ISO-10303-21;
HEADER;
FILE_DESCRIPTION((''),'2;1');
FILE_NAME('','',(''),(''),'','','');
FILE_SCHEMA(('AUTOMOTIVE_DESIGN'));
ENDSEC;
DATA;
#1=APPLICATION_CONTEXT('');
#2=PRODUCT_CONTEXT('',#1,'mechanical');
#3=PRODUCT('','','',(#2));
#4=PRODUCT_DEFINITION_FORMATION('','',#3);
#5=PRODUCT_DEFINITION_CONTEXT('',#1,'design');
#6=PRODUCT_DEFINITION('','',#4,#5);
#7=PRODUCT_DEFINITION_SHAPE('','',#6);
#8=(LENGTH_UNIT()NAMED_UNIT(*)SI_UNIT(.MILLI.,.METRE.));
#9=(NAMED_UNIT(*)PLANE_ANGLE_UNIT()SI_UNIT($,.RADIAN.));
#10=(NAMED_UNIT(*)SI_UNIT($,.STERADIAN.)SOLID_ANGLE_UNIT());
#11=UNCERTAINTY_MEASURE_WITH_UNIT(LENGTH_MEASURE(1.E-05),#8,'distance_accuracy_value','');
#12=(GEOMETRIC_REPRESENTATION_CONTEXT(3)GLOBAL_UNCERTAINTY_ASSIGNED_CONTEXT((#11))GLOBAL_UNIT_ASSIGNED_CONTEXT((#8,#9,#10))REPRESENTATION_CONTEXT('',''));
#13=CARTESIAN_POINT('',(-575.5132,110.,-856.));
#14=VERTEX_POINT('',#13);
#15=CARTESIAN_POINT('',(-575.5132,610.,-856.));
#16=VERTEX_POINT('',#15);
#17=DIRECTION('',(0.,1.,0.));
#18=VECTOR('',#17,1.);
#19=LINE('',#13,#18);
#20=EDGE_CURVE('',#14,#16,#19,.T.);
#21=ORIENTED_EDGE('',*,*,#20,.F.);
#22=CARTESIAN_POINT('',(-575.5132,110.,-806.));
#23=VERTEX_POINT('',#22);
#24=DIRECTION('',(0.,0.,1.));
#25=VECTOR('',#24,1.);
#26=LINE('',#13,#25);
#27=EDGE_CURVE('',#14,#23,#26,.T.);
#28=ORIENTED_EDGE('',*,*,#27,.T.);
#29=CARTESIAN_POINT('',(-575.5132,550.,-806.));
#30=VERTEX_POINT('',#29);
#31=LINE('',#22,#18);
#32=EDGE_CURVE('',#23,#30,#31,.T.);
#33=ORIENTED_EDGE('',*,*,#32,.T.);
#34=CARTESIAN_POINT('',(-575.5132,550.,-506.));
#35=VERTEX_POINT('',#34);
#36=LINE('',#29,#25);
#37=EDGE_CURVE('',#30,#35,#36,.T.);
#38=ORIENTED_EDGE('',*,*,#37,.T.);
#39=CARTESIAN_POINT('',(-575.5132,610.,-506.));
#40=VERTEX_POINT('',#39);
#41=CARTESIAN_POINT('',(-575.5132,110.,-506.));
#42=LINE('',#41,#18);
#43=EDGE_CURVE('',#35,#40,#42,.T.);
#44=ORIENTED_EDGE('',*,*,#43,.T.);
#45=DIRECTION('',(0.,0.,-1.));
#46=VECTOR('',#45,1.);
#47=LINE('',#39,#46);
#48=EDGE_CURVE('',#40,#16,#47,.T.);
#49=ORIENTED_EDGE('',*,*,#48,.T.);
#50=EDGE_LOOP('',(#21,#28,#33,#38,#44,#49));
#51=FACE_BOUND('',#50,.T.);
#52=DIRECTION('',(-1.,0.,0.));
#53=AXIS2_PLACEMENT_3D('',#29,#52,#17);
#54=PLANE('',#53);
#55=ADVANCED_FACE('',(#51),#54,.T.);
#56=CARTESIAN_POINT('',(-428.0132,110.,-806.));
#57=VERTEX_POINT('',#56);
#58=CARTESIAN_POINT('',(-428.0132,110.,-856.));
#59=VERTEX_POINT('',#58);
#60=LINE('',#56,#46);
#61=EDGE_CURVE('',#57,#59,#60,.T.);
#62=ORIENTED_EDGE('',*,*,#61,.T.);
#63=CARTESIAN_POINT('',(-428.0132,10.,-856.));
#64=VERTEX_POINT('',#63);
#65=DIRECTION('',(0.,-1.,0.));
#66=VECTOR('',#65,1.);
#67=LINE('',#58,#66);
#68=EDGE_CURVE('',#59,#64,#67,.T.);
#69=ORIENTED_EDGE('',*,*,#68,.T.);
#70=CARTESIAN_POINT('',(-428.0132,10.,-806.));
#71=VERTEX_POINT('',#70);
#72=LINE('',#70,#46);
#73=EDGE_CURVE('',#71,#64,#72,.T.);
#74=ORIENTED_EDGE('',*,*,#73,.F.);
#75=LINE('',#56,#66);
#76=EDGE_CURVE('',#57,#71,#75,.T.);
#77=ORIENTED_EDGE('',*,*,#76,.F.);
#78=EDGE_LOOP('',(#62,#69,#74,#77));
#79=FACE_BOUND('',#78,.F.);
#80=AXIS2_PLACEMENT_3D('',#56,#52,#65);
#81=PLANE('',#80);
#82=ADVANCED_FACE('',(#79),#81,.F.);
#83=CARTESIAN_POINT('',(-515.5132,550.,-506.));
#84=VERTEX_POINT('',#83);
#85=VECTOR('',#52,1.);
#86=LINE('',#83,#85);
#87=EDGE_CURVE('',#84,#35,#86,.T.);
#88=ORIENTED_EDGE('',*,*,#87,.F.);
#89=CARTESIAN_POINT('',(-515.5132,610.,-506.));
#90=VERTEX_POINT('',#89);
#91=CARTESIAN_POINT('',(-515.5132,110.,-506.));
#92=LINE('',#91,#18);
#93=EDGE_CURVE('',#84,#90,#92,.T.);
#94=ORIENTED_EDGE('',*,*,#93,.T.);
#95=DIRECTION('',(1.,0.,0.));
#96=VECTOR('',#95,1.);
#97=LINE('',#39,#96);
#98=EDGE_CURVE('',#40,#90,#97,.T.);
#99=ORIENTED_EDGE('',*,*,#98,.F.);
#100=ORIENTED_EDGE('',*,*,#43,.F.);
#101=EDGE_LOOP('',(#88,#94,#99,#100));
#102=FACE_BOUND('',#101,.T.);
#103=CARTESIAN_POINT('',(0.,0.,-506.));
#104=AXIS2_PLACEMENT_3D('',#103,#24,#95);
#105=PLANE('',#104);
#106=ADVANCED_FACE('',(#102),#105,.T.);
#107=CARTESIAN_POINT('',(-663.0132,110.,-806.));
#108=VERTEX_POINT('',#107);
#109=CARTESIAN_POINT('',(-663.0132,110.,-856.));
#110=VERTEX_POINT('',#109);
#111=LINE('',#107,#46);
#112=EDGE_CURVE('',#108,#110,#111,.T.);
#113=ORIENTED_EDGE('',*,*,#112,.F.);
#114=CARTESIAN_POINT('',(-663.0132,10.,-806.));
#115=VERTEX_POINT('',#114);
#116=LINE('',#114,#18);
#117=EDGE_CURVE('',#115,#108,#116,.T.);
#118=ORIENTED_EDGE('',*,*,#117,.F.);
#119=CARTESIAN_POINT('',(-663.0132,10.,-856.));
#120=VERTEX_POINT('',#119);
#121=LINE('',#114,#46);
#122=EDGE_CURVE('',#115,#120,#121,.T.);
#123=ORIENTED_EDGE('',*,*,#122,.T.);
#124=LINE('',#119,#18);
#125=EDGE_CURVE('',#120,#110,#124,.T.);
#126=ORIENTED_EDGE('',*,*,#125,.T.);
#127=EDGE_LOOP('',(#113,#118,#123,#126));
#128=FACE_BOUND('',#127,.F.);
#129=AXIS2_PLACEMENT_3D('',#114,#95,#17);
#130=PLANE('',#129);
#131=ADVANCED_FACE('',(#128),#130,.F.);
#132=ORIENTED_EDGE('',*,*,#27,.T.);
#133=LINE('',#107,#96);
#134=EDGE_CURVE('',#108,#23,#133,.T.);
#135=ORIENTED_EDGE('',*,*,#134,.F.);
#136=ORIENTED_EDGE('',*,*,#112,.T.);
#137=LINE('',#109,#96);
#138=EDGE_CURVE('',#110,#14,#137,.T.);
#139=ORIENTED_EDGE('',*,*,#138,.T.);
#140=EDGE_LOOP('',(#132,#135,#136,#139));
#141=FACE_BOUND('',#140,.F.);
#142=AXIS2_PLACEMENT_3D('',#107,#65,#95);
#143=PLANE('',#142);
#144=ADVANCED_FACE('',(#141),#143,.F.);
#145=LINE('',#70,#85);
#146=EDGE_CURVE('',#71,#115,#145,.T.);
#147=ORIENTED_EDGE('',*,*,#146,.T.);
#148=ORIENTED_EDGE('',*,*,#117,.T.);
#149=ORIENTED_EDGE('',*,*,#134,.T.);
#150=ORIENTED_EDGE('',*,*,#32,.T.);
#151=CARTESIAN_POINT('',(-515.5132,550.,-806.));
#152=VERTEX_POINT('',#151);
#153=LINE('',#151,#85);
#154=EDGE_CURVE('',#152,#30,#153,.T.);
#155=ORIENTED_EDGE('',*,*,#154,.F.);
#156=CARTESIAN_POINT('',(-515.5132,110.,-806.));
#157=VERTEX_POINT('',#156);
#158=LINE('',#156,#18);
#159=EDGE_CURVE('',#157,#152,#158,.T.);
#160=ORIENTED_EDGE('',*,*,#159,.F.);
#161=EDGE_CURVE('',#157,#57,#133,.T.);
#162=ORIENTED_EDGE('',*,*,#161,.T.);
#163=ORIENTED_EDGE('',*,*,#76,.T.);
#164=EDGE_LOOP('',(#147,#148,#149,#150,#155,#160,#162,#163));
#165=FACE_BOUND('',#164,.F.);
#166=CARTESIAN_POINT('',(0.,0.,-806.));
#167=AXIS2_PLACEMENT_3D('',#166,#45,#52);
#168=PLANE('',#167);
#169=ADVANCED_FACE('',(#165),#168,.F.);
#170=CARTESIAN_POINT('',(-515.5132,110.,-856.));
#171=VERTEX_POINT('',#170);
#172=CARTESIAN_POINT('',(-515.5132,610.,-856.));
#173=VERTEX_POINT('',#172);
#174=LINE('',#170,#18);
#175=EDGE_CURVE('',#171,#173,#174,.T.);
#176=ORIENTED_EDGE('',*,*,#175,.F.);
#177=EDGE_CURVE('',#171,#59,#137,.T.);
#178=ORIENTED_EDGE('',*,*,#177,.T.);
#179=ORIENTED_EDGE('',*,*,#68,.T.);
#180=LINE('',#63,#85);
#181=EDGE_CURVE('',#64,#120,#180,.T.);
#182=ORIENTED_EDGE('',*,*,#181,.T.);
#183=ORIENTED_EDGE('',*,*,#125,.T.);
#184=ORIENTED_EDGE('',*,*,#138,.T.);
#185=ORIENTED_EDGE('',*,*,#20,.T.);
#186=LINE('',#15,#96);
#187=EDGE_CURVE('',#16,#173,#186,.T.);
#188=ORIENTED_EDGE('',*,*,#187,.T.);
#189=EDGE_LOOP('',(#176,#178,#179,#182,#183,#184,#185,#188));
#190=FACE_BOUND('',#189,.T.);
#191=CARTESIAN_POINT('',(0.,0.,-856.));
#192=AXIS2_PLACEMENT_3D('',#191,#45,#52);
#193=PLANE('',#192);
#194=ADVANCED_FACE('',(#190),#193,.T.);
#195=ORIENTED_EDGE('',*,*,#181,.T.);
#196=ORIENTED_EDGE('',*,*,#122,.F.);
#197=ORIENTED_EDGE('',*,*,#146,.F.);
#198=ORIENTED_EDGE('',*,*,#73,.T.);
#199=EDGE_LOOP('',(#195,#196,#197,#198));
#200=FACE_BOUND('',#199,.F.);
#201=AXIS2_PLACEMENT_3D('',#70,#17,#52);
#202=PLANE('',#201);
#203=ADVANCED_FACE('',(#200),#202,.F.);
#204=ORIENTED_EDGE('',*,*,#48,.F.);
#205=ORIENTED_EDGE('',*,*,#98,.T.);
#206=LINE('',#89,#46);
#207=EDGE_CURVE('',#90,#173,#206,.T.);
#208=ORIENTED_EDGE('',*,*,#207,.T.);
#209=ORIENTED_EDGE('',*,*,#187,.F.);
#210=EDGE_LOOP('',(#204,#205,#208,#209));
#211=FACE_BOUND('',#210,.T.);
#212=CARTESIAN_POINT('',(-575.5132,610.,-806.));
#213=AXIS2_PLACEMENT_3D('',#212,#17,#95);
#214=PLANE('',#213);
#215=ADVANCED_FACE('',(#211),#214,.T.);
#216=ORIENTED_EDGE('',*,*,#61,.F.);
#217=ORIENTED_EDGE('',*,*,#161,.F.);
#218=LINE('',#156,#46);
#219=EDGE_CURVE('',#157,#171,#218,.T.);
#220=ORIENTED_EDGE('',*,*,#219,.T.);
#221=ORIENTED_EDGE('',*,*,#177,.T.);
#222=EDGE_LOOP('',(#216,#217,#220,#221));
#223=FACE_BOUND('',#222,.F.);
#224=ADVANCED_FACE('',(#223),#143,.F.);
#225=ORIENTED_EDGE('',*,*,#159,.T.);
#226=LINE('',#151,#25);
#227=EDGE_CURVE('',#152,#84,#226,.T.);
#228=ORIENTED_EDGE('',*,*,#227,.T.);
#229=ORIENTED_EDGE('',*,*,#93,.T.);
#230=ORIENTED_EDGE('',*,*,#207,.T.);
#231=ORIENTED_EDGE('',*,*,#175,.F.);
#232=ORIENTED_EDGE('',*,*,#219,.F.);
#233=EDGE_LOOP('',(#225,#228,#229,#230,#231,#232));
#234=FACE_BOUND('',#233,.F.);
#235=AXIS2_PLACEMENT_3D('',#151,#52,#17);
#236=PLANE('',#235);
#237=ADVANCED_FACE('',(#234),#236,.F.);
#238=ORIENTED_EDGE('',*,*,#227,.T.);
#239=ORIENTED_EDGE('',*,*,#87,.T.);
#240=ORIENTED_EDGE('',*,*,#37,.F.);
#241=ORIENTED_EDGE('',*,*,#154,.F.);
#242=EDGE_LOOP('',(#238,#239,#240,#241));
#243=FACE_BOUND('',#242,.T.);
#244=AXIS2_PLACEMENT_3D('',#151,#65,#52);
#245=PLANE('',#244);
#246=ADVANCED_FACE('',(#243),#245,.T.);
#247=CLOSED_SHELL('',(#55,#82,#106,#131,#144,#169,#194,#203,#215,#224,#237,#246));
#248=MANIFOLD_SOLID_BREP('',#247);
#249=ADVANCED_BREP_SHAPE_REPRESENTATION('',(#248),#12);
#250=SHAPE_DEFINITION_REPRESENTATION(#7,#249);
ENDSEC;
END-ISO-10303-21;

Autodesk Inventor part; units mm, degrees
ref_plane "YZ Plane" through (0, 0, 0) normal (1, 0, 0) x (0, 1, 0)
ref_plane "XZ Plane" through (0, 0, 0) normal (0, 1, 0) x (-1, 0, 0)
ref_plane "XY Plane" through (0, 0, 0) normal (0, 0, 1) x (1, 0, 0)
ref_plane "Work Plane1" through (0, 0, -806) normal (0, 0, -1) x (-1, 0, 0)
sketch "Sketch1" plane through (0, 0, -806) normal (0, 0, -1) x (-1, 0, 0)
  line L0 (428.0132, 10) -> (663.0132, 10) projected
  line L1 (663.0132, 10) -> (663.0132, 110) projected
  line L2 (663.0132, 110) -> (428.0132, 110) projected
  line L3 (428.0132, 110) -> (428.0132, 10) projected
  point P0 (0, 0)
extrude "Extrusion1" add sketch "Sketch1" along normal blind 50
sketch "Sketch2" plane through (-663.0132, 110, -806) normal (0, 1, 0) x (1, 0, 0)
  line L0 (117.5, 50) -> (147.5, 50)
  line L1 (0, 0) -> (235, 0) projected
  line L2 (147.5, 50) -> (87.5, 50)
  line L3 (87.5, 50) -> (87.5, 0)
  line L4 (87.5, 0) -> (147.5, 0)
  line L5 (147.5, 0) -> (147.5, 50)
  point P0 (663.0132, -806)
  dimension "d4" = 60
extrude "Extrusion2" add sketch "Sketch2" along normal blind 500
sketch "Sketch3" plane through (0, 0, -806) normal (0, 0, 1) x (1, 0, 0)
  line L0 (-663.0132, 10) -> (-663.0132, 110) projected
  line L1 (-428.0132, 10) -> (-663.0132, 10) projected
  line L2 (-428.0132, 110) -> (-428.0132, 10) projected
  line L3 (-515.5132, 110) -> (-428.0132, 110) projected
  line L4 (-515.5132, 110) -> (-515.5132, 610) projected
  line L5 (-575.5132, 610) -> (-515.5132, 610) projected
  line L6 (-575.5132, 110) -> (-575.5132, 610) projected
  line L7 (-663.0132, 110) -> (-575.5132, 110) projected
  line L8 (-575.5132, 110) -> (-575.5132, 610) projected
  line L9 (-515.5132, 110) -> (-515.5132, 610) projected
  line L10 (-575.5132, 610) -> (-515.5132, 610)
  line L11 (-515.5132, 610) -> (-515.5132, 550)
  line L12 (-515.5132, 550) -> (-575.5132, 550)
  line L13 (-575.5132, 550) -> (-575.5132, 610)
  point P0 (0, 0)
  dimension "d7" = 60
extrude "Extrusion3" add sketch "Sketch3" along normal blind 300 contours L6 L5 L4 L12
sketch "Sketch4" plane through (-663.0132, 610, -806) normal (0, 1, 0) x (1, 0, 0)
  point P0 (663.0132, -806)
